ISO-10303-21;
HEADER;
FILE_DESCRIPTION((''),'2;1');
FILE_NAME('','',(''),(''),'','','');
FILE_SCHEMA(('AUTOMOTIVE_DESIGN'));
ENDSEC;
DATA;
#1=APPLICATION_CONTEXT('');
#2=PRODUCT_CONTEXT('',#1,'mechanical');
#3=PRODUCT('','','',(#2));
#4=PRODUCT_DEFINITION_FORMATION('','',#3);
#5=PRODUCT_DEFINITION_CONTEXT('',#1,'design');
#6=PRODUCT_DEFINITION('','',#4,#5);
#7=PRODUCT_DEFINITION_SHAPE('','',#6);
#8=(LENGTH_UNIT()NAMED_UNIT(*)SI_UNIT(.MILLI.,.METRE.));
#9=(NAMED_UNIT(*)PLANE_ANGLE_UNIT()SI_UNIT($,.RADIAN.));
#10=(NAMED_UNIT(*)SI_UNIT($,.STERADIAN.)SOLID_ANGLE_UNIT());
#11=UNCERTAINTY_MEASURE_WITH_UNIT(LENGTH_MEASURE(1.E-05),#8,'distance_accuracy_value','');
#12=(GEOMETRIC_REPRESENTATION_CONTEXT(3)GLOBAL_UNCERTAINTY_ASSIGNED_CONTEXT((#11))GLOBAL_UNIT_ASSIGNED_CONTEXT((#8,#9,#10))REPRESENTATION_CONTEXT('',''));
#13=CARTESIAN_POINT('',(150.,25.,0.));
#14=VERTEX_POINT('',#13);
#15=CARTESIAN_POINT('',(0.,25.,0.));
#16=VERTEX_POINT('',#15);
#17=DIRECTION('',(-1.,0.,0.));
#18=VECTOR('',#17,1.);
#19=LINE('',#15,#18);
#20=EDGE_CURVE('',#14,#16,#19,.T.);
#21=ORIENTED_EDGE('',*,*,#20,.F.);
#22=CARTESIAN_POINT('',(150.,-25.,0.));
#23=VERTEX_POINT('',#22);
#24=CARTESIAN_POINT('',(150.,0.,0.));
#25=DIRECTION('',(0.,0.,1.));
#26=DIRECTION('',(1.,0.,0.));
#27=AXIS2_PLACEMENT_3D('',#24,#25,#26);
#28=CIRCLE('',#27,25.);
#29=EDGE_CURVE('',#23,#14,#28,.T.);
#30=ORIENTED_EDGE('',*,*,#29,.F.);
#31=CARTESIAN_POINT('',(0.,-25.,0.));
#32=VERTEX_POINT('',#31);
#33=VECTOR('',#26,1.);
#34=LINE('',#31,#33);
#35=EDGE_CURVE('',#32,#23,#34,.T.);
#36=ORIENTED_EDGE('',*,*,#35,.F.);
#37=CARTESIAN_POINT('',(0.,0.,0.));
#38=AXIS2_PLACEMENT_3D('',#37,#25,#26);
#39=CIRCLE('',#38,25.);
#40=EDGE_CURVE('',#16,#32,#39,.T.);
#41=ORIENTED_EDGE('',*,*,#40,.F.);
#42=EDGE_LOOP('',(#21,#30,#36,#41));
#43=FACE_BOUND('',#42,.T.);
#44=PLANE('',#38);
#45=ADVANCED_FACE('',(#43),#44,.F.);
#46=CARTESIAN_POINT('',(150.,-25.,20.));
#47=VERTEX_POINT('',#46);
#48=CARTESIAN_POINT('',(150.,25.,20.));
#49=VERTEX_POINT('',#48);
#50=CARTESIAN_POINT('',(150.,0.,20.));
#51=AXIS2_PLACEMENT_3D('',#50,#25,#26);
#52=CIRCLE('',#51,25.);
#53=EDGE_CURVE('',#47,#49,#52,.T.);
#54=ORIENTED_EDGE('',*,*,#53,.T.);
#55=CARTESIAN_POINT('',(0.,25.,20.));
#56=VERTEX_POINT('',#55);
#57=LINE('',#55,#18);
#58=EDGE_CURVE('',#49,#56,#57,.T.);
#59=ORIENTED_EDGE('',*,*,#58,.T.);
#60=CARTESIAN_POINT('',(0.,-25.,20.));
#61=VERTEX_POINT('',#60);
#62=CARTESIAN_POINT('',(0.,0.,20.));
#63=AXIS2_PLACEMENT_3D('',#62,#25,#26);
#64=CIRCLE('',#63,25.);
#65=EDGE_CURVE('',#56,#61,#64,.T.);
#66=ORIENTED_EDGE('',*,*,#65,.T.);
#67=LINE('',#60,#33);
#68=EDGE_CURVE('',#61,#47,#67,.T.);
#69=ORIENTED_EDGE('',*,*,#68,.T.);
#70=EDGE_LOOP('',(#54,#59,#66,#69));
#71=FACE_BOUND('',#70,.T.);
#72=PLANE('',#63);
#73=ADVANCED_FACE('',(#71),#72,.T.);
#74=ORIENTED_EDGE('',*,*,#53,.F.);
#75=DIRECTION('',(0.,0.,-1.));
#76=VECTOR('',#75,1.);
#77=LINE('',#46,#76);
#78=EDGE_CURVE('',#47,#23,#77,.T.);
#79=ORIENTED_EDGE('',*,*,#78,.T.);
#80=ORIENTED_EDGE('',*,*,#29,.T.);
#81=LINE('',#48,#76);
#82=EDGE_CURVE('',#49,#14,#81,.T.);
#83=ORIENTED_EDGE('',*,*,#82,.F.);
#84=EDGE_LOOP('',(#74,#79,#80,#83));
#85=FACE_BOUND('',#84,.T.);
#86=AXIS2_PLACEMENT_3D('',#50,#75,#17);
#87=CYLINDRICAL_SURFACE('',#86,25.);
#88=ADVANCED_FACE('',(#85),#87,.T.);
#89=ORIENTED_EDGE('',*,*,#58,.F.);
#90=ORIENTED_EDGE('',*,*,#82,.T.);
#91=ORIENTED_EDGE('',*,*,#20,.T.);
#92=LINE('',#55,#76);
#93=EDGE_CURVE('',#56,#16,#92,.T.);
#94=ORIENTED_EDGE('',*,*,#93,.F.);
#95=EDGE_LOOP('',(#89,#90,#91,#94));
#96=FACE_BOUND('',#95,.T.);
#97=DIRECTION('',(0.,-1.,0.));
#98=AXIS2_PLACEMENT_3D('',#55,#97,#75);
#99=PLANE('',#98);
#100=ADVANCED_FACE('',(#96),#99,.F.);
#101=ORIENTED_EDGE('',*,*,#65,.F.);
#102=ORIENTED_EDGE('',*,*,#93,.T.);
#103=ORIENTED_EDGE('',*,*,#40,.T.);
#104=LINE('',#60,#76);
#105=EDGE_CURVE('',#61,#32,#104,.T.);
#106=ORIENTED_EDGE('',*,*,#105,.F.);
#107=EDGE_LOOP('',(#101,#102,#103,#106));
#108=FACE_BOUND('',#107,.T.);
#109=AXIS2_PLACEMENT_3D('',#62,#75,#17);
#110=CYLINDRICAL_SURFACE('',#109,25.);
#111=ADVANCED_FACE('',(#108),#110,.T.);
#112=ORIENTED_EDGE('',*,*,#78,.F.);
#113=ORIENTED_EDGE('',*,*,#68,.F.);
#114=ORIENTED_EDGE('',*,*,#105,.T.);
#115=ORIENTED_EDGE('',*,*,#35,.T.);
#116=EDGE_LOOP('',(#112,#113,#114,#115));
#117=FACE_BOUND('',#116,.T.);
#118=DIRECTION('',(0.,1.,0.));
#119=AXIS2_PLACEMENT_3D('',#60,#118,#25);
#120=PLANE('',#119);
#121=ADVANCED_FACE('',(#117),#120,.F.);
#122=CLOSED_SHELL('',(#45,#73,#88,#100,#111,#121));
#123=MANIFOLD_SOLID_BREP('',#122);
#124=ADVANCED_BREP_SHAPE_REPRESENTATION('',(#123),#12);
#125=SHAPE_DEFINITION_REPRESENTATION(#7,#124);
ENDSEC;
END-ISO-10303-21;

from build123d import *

# Parameters (mm, degrees)
EXTRUDE_1_DEPTH = 20


with BuildPart() as part:
    # 草图1 → 凸台-拉伸1 (new body)
    with BuildSketch(Plane.XY):
        with BuildLine():
            Line((0, 25), (150, 25))
            ThreePointArc((150, 25), (175, 0), (150, -25))
            Line((150, -25), (0, -25))
            ThreePointArc((0, -25), (-25, 0), (0, 25))
        make_face()
    extrude(amount=EXTRUDE_1_DEPTH)


solid = part.part
